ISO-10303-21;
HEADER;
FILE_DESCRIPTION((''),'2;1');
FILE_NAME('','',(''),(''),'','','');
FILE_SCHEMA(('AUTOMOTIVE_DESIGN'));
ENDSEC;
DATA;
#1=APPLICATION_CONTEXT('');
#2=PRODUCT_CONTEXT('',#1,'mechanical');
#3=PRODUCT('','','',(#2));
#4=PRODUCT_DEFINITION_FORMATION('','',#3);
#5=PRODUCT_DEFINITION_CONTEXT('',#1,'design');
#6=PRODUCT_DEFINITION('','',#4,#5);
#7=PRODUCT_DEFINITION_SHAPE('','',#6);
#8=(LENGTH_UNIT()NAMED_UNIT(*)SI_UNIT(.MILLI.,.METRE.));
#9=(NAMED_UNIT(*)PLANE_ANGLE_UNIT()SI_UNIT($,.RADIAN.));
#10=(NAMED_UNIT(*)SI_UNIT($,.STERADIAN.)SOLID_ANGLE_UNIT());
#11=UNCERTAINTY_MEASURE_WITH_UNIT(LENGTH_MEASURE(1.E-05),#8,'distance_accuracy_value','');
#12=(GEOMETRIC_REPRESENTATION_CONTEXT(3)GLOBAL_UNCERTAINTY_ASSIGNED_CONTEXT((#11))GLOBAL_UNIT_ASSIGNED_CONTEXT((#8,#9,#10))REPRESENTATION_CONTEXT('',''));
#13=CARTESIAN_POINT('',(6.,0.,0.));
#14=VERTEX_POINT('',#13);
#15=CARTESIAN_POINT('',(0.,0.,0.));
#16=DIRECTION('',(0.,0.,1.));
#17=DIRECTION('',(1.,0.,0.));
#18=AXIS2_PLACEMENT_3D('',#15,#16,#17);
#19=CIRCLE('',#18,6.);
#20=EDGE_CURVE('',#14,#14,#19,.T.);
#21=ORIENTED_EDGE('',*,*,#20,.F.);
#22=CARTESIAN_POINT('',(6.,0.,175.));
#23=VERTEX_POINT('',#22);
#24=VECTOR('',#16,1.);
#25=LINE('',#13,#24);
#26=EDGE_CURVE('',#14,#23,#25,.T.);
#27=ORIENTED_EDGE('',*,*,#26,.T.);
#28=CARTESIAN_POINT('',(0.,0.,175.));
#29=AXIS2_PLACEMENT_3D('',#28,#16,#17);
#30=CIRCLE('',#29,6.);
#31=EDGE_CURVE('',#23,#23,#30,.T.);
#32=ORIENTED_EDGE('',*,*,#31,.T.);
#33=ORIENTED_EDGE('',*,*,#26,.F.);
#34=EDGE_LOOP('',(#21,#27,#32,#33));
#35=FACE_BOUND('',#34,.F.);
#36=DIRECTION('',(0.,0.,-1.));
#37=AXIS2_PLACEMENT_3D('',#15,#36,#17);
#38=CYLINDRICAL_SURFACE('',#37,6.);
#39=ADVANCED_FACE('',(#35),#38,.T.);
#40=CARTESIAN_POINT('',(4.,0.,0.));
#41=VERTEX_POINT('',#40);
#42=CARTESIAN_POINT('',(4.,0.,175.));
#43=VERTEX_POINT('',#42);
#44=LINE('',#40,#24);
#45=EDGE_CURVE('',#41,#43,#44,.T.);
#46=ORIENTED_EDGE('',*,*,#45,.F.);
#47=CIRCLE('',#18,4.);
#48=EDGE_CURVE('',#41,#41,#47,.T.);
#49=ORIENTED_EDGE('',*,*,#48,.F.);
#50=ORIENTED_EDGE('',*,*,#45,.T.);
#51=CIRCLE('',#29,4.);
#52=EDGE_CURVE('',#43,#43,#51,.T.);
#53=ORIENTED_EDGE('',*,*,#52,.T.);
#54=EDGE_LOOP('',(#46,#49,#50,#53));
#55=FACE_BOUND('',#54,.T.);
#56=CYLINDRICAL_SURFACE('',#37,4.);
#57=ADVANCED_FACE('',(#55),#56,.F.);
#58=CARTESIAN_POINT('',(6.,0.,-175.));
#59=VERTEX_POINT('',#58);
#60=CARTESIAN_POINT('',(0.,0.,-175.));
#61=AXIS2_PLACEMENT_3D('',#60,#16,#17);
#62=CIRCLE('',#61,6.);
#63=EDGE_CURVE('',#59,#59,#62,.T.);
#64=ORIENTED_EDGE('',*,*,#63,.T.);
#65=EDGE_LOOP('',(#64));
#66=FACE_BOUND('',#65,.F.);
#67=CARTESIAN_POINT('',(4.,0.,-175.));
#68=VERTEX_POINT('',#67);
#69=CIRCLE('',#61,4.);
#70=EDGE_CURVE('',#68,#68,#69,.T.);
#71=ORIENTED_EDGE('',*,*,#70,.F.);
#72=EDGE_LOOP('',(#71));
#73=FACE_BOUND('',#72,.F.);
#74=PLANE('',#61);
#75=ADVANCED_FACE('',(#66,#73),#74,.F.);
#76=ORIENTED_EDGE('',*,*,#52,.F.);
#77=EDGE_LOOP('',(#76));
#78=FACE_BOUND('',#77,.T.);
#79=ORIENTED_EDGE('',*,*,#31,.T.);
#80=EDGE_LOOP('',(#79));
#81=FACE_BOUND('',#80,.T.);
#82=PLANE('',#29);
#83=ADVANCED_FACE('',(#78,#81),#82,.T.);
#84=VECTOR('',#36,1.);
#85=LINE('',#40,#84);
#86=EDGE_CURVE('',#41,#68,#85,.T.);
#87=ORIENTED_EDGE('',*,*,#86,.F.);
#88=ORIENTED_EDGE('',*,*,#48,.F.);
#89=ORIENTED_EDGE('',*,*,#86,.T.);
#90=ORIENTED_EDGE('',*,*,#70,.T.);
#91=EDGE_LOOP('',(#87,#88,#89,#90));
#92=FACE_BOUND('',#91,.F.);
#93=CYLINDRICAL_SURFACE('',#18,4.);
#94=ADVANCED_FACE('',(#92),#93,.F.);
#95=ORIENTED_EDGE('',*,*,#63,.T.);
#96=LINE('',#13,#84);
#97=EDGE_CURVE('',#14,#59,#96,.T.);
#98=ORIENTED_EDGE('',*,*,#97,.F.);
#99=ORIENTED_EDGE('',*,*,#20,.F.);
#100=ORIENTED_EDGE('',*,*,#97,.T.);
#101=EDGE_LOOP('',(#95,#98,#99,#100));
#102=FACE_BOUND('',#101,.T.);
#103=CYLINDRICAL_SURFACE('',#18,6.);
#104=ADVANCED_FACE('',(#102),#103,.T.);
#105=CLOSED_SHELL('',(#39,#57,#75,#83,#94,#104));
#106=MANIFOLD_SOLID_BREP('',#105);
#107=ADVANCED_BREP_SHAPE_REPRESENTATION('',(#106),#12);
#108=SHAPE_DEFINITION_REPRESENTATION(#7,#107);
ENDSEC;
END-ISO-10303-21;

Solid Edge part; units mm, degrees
sketch "Sketch1" plane through (0, 0, 0) normal (0, 0, 1) x (1, 0, 0)
  circle A0 centre (0, 0) radius 6
  circle A1 centre (0, 0) radius 4
  dimension "D1" = 12
extrude "Ajout_matière_1" add sketch "Sketch1" along normal mid plane 350
properties material "Aluminium,  5050"
